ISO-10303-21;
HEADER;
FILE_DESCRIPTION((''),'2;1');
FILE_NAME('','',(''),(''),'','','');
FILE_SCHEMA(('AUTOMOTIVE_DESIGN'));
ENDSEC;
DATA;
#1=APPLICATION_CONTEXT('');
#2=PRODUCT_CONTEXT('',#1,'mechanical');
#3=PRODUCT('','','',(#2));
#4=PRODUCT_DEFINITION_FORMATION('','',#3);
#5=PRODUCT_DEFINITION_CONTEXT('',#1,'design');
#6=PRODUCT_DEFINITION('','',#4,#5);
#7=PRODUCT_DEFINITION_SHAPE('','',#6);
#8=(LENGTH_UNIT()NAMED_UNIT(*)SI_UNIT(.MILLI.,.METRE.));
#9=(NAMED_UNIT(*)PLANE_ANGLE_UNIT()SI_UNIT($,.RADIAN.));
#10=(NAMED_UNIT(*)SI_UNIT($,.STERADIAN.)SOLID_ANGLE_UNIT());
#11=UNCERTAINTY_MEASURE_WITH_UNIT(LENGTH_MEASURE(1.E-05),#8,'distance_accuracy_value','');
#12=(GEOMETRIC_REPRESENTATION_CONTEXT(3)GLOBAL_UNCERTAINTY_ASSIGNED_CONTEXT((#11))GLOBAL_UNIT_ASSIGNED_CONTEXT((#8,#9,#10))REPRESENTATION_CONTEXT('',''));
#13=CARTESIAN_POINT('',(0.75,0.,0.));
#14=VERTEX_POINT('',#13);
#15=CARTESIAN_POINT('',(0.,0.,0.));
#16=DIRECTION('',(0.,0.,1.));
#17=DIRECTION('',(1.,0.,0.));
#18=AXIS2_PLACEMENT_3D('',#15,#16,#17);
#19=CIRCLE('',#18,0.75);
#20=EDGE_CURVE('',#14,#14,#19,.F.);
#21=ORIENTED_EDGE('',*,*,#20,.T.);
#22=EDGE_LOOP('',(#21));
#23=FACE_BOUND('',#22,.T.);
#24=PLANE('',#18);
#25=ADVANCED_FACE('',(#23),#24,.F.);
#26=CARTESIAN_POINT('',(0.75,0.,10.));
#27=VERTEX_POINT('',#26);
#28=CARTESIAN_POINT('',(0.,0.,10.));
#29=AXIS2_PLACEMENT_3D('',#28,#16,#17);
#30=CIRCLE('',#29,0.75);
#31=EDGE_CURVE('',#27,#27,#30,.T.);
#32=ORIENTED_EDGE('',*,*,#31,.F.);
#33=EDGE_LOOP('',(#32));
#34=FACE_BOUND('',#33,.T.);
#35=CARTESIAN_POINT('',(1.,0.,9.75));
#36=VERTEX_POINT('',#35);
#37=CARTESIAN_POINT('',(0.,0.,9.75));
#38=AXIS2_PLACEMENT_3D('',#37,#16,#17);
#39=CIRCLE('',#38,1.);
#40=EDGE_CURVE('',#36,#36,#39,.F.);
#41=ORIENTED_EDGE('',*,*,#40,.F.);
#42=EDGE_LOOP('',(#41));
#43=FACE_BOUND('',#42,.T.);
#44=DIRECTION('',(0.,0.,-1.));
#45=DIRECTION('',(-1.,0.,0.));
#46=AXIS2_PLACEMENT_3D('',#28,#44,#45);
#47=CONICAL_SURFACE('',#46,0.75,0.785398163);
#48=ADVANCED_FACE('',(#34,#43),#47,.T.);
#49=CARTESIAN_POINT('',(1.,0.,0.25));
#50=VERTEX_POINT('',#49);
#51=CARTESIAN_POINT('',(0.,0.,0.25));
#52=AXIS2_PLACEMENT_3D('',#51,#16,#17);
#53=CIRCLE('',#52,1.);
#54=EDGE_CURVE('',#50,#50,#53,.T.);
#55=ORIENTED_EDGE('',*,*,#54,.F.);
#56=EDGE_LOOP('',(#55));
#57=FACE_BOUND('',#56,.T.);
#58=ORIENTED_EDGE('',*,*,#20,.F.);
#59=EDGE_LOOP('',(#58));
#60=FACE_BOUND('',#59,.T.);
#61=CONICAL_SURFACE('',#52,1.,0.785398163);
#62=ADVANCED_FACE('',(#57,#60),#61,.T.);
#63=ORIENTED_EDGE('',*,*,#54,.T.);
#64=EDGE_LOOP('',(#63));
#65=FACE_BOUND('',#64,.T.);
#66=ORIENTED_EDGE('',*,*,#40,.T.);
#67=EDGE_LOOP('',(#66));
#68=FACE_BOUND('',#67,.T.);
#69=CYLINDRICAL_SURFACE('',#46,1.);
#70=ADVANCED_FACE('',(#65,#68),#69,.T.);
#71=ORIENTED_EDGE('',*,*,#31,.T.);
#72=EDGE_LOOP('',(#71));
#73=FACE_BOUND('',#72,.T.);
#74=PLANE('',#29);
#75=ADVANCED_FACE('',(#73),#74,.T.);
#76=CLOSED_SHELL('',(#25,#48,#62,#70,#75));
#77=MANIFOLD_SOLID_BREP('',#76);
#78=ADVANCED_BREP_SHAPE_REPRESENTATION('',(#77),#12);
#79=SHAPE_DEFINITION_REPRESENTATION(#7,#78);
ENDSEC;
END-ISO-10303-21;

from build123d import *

# Parameters (mm, degrees)
ESQUISSE1_R          = 1
BASE_EXTRUSION_DEPTH = 10
CHANFREIN1_SIZE      = 0.25


with BuildPart() as part:
    # Esquisse1 → Base-Extrusion (new body)
    with BuildSketch(Plane.XY):
        Circle(ESQUISSE1_R)
    extrude(amount=BASE_EXTRUSION_DEPTH)

    # Chanfrein1
    chanfrein1_edges = [part.edges().sort_by_distance(p)[0] for p in [
        (-1, 0, 0),
        (-1, 0, 10),
    ]]
    chamfer(chanfrein1_edges, length=CHANFREIN1_SIZE)


solid = part.part
